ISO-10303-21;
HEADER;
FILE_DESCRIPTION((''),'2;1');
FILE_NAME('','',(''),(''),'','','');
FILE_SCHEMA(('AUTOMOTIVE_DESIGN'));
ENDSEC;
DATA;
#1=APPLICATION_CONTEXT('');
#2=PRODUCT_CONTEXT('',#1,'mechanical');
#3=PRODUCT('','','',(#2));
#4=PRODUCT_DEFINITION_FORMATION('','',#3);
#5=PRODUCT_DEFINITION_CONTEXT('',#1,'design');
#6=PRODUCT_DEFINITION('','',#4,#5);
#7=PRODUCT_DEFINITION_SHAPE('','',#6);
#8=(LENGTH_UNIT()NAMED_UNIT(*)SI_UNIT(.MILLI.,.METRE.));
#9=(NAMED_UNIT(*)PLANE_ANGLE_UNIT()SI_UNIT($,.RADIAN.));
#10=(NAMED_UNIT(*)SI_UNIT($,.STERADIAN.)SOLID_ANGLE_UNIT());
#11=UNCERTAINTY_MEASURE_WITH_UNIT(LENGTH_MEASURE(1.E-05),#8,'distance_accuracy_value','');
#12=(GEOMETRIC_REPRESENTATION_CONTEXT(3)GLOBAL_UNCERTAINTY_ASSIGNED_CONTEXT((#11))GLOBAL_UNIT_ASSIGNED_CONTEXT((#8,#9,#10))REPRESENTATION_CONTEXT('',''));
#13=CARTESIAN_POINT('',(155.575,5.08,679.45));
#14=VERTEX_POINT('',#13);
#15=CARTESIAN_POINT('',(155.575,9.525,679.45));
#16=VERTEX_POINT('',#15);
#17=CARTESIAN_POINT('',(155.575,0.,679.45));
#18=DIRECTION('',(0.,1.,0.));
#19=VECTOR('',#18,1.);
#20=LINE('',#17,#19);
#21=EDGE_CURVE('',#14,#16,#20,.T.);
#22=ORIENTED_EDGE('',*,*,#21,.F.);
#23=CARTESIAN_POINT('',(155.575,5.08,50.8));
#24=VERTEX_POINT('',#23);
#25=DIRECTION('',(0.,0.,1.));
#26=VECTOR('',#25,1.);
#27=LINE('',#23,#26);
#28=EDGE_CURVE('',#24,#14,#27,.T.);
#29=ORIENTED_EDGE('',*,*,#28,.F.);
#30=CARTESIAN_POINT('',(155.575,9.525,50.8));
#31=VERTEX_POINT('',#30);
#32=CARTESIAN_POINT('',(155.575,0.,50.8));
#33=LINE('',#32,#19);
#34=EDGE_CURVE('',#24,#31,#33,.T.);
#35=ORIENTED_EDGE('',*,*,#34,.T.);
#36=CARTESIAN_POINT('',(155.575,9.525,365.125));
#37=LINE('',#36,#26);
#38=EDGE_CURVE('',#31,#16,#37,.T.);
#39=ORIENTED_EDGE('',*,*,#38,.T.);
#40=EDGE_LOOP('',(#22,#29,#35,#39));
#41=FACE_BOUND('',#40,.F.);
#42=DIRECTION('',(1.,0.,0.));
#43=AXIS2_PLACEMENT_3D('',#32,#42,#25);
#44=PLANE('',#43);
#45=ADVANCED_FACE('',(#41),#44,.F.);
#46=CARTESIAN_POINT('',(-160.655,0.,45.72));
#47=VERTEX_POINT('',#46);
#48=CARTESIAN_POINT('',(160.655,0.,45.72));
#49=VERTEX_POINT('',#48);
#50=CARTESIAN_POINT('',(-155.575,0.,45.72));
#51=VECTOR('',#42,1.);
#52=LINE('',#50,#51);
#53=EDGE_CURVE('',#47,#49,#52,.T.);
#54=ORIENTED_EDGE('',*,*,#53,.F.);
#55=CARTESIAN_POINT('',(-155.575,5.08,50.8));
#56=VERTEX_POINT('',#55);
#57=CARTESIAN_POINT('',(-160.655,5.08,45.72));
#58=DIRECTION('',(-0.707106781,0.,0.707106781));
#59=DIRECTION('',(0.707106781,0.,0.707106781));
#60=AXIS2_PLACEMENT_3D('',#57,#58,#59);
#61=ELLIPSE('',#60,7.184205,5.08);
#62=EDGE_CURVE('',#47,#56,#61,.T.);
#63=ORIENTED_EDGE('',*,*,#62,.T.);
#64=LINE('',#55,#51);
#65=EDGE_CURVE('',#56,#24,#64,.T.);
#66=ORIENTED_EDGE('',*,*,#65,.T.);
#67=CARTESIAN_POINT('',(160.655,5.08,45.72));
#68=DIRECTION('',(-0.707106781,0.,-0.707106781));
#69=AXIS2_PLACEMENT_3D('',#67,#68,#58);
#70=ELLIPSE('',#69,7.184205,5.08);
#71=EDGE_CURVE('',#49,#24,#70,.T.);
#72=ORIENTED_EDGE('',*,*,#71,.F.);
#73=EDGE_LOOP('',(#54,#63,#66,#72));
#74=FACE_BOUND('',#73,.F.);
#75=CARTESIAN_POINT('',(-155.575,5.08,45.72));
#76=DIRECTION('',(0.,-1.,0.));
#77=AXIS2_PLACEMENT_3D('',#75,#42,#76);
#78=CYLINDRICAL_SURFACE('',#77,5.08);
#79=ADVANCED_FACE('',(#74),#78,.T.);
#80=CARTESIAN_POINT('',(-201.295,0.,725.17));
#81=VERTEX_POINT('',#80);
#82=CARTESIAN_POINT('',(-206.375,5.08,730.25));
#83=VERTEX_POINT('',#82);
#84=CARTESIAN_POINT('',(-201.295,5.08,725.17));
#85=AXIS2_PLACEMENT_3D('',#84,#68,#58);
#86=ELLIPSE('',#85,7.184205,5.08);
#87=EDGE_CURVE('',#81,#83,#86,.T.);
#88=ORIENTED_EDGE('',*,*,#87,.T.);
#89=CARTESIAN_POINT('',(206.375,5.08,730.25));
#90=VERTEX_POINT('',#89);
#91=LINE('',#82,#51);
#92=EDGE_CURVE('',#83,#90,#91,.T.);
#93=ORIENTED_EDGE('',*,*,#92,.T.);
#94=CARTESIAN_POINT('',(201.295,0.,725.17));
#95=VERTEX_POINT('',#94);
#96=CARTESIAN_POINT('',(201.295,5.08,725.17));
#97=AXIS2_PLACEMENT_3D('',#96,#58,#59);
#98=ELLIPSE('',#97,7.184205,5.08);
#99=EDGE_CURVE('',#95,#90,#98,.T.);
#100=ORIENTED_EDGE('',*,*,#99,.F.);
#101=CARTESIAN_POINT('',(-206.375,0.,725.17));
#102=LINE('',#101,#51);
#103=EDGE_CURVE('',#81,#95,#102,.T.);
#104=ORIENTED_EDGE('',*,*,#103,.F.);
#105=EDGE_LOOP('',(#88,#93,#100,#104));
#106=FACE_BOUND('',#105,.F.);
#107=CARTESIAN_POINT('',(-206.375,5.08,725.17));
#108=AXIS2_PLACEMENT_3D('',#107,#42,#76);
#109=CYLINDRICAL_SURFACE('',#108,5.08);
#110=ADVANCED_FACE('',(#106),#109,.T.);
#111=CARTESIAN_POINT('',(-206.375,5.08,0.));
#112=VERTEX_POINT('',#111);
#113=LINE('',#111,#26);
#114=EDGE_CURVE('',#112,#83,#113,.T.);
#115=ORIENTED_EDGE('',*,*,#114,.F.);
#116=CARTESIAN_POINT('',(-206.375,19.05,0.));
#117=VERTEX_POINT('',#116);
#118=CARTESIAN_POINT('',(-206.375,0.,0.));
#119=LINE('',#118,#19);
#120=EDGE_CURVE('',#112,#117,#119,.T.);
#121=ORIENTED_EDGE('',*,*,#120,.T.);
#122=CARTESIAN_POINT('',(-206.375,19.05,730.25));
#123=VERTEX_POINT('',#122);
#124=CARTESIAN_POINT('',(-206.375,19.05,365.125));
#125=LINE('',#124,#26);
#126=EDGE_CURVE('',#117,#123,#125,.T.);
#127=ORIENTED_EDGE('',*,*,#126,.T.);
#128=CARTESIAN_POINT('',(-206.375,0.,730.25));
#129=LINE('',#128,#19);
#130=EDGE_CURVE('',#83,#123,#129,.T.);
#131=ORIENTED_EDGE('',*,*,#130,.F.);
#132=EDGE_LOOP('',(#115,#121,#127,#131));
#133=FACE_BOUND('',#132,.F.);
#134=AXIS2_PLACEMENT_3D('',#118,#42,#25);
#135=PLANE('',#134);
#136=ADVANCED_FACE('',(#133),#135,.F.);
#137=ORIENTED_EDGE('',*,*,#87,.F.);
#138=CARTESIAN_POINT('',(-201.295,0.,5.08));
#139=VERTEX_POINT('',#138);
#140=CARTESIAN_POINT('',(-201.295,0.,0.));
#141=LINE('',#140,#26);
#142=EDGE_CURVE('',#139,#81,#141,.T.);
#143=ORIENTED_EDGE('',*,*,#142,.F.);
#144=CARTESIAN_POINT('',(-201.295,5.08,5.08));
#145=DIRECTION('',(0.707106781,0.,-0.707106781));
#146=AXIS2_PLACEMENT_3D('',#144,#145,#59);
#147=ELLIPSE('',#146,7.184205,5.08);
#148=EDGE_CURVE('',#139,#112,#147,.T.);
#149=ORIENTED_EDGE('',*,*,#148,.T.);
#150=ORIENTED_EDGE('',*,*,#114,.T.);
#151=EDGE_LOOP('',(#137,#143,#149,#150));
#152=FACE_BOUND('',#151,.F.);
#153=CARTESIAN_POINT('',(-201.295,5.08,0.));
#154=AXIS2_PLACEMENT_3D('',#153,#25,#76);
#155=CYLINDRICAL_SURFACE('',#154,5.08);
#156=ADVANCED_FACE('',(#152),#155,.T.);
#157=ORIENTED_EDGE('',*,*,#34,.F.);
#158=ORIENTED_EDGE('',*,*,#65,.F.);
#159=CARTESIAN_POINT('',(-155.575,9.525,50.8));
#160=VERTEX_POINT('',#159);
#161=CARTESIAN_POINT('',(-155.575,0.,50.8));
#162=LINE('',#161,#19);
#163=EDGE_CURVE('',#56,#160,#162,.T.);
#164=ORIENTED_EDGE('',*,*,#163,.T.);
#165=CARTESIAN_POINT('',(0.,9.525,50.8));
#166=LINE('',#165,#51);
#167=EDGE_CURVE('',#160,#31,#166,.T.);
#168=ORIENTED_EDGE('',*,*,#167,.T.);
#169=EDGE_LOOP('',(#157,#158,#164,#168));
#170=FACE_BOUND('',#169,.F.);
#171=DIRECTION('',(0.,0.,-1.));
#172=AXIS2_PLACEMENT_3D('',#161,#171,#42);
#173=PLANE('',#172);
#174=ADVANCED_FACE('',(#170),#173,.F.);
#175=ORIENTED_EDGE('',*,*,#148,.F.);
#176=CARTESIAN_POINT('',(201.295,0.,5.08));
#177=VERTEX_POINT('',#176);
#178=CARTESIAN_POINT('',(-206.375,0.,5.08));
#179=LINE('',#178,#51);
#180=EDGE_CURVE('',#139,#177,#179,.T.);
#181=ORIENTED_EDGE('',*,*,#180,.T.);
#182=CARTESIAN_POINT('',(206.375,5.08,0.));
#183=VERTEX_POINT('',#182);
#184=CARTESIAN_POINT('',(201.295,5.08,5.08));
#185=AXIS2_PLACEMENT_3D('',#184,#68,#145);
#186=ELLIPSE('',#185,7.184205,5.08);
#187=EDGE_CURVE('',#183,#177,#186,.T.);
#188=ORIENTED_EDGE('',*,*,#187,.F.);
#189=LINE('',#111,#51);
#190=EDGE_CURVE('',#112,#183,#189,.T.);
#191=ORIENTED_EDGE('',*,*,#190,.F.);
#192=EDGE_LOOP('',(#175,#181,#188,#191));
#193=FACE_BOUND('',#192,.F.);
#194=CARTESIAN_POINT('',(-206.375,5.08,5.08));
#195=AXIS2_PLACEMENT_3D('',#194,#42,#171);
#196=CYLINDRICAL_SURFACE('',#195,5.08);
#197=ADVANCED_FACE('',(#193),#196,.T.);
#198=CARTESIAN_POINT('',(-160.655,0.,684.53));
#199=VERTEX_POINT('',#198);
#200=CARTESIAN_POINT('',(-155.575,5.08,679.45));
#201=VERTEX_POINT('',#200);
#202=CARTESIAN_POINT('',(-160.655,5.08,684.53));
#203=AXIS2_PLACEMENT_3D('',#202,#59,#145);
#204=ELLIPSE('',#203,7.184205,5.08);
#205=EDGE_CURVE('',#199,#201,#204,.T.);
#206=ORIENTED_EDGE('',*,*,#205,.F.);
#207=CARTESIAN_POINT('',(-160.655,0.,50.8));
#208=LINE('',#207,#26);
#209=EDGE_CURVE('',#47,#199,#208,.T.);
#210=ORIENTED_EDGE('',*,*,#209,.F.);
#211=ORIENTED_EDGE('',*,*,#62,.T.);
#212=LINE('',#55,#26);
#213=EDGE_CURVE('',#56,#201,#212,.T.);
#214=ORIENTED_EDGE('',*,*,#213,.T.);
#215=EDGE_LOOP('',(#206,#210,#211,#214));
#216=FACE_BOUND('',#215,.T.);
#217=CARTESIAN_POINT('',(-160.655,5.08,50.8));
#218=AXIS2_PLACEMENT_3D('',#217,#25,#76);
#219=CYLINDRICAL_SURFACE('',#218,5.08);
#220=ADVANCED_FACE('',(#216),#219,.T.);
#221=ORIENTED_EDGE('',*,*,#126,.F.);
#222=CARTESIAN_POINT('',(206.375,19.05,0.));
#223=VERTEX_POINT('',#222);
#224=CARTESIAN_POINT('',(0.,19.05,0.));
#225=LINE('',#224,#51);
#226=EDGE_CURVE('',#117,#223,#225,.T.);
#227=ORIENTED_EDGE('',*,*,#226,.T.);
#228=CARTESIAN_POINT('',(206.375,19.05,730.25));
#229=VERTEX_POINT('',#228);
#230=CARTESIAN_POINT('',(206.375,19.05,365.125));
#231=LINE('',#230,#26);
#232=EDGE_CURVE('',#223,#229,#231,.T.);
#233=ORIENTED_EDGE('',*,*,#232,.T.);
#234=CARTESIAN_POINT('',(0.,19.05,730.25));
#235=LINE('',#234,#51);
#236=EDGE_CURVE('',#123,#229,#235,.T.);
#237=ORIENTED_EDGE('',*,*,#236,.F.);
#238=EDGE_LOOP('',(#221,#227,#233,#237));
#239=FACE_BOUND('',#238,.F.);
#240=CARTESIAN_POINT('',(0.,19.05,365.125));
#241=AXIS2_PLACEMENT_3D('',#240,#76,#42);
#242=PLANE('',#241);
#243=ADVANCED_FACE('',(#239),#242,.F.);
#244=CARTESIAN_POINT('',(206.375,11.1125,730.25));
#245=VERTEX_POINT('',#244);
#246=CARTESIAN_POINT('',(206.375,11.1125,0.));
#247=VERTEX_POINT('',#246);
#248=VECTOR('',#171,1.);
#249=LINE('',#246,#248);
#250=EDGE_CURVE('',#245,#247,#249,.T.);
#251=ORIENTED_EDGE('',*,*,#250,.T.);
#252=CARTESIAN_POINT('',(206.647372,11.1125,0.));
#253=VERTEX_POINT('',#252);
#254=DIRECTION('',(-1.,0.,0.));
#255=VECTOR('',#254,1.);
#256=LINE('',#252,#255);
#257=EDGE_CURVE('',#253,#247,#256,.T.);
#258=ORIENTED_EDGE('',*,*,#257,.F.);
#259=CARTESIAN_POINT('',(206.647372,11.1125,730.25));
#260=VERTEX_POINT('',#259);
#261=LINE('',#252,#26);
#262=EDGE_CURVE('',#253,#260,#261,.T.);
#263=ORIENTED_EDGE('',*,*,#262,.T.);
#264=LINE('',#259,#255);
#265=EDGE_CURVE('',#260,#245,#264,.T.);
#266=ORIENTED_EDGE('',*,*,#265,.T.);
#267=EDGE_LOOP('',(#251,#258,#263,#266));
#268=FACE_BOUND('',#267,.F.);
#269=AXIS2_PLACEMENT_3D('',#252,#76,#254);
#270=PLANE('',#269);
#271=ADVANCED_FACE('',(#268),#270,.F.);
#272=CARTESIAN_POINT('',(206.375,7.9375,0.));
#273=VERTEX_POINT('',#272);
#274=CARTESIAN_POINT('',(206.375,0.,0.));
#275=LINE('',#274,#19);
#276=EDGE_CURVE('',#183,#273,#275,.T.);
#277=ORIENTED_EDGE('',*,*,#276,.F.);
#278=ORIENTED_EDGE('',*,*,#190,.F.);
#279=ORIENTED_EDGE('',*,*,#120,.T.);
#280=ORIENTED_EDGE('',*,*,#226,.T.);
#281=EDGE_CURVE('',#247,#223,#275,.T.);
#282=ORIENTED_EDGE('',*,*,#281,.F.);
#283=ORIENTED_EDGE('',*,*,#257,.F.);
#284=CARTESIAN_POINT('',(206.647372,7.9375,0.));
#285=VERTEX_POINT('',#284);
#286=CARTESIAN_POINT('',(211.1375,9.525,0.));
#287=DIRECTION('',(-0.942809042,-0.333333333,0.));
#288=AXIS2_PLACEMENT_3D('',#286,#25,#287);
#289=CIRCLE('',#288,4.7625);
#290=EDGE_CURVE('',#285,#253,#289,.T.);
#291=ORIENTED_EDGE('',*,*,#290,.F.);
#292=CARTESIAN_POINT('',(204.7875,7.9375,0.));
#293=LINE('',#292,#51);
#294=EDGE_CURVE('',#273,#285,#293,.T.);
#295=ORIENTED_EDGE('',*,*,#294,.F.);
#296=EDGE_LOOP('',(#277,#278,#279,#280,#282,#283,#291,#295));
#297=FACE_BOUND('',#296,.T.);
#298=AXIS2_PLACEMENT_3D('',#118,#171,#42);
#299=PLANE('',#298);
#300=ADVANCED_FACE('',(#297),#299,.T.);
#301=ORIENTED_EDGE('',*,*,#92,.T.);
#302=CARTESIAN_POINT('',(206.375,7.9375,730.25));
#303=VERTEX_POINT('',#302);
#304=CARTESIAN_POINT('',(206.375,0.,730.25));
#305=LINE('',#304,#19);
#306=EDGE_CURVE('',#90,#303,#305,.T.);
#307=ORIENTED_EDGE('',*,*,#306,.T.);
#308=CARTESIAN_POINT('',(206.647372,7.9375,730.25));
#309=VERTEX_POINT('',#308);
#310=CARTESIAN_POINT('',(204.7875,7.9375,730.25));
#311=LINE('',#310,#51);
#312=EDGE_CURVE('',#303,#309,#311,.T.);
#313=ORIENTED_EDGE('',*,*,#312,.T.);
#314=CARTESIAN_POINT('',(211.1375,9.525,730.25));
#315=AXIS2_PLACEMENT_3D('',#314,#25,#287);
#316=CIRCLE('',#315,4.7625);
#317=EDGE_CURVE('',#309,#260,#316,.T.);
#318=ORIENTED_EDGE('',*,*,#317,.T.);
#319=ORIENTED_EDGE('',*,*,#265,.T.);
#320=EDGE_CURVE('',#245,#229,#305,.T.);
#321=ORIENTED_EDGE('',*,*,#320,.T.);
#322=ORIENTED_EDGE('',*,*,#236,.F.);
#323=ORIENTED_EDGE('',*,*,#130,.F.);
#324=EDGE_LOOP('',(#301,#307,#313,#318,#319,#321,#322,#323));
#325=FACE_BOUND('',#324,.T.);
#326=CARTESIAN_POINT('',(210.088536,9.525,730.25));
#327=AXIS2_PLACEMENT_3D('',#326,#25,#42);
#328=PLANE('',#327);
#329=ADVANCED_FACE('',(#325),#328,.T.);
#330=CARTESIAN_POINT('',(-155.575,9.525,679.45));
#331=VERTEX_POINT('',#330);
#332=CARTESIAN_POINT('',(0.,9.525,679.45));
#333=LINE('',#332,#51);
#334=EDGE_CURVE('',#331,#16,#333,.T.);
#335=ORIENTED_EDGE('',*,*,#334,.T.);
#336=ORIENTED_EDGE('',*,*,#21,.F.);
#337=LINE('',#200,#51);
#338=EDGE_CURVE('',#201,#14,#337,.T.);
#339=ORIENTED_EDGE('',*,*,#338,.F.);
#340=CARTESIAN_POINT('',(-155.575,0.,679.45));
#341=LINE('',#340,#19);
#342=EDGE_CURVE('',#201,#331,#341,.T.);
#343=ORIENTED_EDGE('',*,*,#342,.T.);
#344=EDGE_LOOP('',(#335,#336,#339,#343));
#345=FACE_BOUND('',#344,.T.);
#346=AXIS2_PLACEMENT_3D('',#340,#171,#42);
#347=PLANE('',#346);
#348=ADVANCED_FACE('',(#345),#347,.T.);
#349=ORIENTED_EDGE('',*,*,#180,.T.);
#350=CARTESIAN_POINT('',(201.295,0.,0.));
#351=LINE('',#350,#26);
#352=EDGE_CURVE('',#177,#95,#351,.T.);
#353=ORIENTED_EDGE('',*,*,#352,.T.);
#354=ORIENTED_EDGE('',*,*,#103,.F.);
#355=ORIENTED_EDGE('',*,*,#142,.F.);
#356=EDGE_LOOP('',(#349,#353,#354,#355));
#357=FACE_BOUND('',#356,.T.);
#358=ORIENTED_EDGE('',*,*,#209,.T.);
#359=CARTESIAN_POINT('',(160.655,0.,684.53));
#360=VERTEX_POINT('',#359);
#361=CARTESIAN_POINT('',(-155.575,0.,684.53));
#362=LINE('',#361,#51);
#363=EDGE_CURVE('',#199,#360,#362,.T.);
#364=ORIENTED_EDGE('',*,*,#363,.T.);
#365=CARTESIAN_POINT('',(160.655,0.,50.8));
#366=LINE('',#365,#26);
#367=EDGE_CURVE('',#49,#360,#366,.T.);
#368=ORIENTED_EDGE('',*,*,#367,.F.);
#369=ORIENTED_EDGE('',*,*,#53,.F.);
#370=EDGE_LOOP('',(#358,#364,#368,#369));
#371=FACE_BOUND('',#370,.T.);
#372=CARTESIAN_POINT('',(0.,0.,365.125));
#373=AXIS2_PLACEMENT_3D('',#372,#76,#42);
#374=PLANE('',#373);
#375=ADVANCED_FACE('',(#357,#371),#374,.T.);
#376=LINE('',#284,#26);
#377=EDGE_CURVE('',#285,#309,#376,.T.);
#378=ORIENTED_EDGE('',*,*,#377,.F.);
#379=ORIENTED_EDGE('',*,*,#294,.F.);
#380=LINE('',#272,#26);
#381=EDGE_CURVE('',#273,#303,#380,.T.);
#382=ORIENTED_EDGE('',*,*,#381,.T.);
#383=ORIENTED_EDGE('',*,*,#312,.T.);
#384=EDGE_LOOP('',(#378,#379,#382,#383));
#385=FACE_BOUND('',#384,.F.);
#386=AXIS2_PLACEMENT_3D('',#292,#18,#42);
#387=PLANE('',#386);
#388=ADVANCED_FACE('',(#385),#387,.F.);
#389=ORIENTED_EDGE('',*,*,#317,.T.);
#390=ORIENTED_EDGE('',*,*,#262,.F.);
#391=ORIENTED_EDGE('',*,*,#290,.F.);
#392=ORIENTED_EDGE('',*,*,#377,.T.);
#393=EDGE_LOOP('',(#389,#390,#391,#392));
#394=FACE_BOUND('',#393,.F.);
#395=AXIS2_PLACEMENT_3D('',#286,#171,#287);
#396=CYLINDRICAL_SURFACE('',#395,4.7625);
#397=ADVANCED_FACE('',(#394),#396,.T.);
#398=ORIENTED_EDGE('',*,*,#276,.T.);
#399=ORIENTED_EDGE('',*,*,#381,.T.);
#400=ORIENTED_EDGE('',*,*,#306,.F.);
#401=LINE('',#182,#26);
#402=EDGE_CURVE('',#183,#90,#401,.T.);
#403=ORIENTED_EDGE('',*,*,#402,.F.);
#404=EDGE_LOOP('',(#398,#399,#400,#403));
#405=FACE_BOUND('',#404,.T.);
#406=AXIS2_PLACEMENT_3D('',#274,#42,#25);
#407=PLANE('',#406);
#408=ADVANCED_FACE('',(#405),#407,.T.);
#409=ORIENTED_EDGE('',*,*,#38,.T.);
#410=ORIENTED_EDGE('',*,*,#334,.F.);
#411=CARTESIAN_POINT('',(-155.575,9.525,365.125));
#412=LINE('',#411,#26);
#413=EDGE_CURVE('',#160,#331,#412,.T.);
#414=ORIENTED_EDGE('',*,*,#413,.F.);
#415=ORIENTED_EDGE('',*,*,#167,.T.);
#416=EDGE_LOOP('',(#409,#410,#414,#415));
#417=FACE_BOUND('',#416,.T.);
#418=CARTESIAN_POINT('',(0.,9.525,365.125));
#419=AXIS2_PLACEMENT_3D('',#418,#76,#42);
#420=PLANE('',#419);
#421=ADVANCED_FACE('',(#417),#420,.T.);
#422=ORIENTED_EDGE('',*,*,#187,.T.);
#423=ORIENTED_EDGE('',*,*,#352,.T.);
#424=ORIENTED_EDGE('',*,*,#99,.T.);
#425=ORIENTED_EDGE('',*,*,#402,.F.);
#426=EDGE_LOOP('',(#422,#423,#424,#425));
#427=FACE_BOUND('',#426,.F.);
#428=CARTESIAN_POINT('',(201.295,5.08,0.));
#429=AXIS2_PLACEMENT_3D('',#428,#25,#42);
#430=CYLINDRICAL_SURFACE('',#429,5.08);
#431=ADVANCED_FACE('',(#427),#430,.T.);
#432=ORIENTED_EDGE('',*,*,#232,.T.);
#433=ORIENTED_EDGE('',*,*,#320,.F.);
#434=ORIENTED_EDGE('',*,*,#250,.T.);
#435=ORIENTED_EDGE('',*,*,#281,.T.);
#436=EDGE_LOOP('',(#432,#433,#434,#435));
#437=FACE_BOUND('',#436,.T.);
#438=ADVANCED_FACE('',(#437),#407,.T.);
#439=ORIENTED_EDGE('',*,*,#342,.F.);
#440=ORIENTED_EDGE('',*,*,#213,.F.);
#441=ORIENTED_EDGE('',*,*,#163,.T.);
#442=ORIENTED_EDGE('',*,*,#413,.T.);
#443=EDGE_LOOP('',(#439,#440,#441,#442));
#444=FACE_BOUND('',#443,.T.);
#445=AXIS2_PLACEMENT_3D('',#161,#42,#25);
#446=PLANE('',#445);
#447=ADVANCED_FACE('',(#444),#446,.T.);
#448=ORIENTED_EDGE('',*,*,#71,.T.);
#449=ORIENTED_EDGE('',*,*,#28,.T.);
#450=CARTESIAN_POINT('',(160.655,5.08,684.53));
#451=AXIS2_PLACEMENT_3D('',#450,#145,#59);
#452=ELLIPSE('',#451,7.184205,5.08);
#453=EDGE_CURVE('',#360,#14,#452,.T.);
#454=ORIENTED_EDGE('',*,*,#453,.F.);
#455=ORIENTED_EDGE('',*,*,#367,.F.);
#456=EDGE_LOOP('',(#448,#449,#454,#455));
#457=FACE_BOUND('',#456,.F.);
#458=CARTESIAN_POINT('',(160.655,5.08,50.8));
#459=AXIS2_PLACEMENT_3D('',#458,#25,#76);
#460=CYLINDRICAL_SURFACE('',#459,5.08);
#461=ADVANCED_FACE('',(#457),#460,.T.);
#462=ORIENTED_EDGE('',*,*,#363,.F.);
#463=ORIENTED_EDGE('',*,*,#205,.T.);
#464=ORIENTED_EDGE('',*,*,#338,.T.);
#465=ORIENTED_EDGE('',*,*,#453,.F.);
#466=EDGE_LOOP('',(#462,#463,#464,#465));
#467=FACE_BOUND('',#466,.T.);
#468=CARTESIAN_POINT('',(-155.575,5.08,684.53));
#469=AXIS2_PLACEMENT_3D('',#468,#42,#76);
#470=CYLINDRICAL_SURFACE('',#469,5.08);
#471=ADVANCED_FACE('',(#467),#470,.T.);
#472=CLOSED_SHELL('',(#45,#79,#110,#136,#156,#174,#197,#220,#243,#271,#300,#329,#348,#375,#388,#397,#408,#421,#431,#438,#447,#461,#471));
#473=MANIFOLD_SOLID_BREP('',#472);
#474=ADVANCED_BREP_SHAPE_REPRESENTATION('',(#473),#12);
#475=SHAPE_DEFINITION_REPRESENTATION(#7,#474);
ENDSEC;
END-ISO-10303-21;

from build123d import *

# Parameters (mm, degrees)
F0_W     = 412.75
F0_H     = 730.25
F1_DEPTH = 19.05
F3_DEPTH = 730.25
F4_W     = 311.15
F4_H     = 628.65
F5_DEPTH = 9.525
F6_R     = 5.08


with BuildPart() as f1:
    # F0 (on Front) → F1 (new body)
    with BuildSketch(Plane.XZ):
        with Locations((0, 365.125)):
            Rectangle(F0_W, F0_H)
    extrude(amount=-F1_DEPTH)

    # F2 (on Top) → F3 (join, through all)
    with BuildSketch(Plane.XY):
        with BuildLine():
            Line((204.7875, 7.9375), (206.6473719395, 7.9375))
            ThreePointArc((206.6473719395, 7.9375), (215.9, 9.525), (206.6473719395, 11.1125))
            Line((206.6473719395, 11.1125), (204.7875, 11.1125))
            Line((204.7875, 11.1125), (204.7875, 7.9375))
        make_face()
    extrude(amount=F3_DEPTH)

    # F4 (on Front) → F5 (cut)
    with BuildSketch(Plane.XZ):
        with Locations((0, 365.125)):
            Rectangle(F4_W, F4_H)
    extrude(amount=-F5_DEPTH, mode=Mode.SUBTRACT)

    # F6
    f6_edges = [f1.edges().sort_by_distance(p)[0] for p in [
        (-206.375, 0, 365.125),
        (0, 0, 730.25),
        (0, 0, 0),
        (206.375, 0, 365.125),
        (155.575, 0, 365.125),
        (0, 0, 679.45),
        (-155.575, 0, 365.125),
        (0, 0, 50.8),
    ]]
    fillet(f6_edges, radius=F6_R)


solid = f1.part
